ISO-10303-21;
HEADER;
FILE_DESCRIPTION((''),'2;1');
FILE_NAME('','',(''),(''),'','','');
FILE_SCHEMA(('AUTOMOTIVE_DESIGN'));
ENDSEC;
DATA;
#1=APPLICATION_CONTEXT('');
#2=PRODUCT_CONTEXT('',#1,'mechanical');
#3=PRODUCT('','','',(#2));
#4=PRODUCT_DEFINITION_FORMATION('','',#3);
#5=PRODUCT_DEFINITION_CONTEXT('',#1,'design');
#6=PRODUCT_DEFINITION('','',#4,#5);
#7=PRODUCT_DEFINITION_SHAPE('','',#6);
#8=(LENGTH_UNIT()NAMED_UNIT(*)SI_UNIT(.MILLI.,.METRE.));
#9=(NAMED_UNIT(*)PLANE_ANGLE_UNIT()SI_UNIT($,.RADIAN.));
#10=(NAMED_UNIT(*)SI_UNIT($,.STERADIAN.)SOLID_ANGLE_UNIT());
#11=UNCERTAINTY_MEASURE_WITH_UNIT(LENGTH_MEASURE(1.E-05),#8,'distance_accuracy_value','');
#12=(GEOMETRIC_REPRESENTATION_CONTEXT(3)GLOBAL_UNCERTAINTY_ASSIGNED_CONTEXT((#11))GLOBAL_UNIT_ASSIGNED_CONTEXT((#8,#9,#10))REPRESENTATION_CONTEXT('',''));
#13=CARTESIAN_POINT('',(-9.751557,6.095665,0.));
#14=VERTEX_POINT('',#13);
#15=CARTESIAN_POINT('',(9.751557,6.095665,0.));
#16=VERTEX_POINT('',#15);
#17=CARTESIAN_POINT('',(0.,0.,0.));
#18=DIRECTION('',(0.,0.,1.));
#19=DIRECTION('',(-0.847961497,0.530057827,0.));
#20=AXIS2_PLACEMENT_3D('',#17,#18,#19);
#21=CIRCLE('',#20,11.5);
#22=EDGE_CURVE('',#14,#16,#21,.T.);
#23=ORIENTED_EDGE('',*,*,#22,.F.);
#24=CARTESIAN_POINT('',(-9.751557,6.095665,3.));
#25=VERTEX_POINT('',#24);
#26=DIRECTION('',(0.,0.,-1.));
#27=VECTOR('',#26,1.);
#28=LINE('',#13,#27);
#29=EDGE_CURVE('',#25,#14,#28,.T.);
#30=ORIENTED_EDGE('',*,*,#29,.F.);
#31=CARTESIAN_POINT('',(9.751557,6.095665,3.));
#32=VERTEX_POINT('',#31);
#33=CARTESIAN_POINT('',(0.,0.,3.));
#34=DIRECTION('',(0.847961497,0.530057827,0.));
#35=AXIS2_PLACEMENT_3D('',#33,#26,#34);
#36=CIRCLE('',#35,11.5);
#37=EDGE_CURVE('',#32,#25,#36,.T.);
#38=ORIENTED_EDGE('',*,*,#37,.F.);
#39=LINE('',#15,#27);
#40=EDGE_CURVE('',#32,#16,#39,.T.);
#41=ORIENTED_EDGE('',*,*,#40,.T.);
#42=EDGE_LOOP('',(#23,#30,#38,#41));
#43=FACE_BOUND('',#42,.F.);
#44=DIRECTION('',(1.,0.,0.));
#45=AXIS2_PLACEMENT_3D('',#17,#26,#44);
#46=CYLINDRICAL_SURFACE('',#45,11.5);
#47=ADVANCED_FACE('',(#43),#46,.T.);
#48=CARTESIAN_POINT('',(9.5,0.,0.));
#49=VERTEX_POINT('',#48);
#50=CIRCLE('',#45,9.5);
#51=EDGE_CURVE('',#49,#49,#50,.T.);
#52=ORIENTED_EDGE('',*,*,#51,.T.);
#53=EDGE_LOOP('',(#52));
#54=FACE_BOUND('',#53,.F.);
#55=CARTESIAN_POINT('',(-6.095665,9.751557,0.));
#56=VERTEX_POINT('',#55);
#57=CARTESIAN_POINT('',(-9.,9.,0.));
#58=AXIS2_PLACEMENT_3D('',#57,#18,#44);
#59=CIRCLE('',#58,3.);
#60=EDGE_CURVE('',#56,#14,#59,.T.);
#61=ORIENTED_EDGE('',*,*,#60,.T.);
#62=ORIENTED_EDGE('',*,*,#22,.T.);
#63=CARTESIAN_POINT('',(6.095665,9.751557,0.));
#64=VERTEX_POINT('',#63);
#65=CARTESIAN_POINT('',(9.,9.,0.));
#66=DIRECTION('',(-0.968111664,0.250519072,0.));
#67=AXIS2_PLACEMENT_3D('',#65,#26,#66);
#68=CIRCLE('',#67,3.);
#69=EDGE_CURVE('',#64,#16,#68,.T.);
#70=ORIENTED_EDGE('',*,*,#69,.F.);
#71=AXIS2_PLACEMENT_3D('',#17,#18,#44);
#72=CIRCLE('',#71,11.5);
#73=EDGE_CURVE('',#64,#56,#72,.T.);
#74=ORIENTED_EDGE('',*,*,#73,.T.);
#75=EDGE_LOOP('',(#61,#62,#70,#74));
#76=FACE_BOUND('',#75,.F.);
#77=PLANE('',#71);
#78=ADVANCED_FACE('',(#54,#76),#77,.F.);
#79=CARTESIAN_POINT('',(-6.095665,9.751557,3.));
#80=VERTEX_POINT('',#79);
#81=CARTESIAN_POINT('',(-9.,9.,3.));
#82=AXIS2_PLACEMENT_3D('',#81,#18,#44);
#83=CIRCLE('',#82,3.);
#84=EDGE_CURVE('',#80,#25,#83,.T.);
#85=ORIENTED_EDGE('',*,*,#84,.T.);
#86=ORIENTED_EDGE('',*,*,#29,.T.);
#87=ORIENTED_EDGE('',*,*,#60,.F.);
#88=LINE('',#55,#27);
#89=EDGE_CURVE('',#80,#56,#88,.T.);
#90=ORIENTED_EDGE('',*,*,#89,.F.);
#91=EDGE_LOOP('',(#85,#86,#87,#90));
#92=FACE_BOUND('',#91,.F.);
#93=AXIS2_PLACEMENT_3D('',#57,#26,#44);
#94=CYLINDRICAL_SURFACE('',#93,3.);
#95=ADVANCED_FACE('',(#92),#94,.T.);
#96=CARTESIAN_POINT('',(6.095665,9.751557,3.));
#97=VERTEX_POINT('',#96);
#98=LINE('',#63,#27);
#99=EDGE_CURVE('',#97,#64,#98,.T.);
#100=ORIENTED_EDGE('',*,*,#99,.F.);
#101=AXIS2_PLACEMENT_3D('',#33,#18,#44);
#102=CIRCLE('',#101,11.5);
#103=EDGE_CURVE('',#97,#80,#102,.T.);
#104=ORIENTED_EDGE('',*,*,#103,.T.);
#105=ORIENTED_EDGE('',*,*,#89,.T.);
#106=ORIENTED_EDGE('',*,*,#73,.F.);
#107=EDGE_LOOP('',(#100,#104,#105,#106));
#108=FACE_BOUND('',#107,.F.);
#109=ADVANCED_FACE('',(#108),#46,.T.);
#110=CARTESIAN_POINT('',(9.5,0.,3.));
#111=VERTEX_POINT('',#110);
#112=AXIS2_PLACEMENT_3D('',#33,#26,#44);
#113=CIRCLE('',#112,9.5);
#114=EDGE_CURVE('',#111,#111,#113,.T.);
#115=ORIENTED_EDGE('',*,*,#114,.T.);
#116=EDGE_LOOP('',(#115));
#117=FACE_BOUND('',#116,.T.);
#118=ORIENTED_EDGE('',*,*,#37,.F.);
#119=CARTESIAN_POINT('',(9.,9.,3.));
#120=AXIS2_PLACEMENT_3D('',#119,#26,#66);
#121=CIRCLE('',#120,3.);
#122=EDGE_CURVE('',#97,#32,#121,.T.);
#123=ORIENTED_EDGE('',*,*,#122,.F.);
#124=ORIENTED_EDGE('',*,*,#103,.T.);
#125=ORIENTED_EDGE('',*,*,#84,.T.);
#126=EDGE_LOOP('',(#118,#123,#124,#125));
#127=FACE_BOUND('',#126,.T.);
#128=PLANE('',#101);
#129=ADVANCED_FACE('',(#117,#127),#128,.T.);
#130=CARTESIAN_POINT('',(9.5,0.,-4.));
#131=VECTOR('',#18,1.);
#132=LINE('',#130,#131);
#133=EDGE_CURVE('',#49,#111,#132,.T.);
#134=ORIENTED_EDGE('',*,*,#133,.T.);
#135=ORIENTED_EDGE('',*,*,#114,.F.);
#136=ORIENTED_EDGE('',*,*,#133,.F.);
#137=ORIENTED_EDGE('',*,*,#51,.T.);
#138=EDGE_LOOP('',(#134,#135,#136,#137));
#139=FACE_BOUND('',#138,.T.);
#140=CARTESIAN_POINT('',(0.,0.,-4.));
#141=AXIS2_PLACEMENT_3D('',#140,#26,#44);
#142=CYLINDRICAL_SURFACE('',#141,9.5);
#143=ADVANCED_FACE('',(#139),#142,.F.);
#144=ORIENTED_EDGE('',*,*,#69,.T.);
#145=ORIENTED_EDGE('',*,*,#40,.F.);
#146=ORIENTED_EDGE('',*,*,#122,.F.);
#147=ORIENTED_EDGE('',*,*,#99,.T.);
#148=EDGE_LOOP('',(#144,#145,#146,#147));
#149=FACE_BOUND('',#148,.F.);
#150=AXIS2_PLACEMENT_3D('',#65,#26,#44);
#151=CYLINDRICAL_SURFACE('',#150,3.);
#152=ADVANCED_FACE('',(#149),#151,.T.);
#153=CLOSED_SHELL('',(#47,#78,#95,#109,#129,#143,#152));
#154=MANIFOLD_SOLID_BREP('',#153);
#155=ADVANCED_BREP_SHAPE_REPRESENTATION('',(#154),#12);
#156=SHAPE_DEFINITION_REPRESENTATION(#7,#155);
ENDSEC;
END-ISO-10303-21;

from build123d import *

# Parameters (mm, degrees)
CYLINDER003_R     = 3
CYLINDER003_DEPTH = 3
CYLINDER001_R     = 9.5
CYLINDER001_DEPTH = 10
CYLINDER_R        = 11.5
CYLINDER_DEPTH    = 3
CYLINDER002_R     = 3
CYLINDER002_DEPTH = 3


with BuildPart() as oreja_decha:
    # Cylinder003 → Cylinder003 (new body)
    with BuildSketch(Plane(origin=(9, 9, 0), x_dir=(1, 0, 0), z_dir=(0, 0, 1))):
        Circle(CYLINDER003_R)
    extrude(amount=CYLINDER003_DEPTH)


with BuildPart() as cilindro_interior:
    # Cylinder001 → Cylinder001 (new body)
    with BuildSketch(Plane.XY.offset(-4)):
        Circle(CYLINDER001_R)
    extrude(amount=CYLINDER001_DEPTH)


with BuildPart() as cuerpo_anillo:
    # Cylinder → Cylinder (new body)
    with BuildSketch(Plane.XY):
        Circle(CYLINDER_R)
    extrude(amount=CYLINDER_DEPTH)

    # Cut: cut Cilindro-interior
    add(cilindro_interior.part, mode=Mode.SUBTRACT)


with BuildPart() as anillo_final:
    # Cylinder002 → Cylinder002 (new body)
    with BuildSketch(Plane(origin=(-9, 9, 0), x_dir=(1, 0, 0), z_dir=(0, 0, 1))):
        Circle(CYLINDER002_R)
    extrude(amount=CYLINDER002_DEPTH)

    # Fusion: union Oreja-decha, cuerpo-anillo
    add(oreja_decha.part)
    add(cuerpo_anillo.part)


solid = anillo_final.part
